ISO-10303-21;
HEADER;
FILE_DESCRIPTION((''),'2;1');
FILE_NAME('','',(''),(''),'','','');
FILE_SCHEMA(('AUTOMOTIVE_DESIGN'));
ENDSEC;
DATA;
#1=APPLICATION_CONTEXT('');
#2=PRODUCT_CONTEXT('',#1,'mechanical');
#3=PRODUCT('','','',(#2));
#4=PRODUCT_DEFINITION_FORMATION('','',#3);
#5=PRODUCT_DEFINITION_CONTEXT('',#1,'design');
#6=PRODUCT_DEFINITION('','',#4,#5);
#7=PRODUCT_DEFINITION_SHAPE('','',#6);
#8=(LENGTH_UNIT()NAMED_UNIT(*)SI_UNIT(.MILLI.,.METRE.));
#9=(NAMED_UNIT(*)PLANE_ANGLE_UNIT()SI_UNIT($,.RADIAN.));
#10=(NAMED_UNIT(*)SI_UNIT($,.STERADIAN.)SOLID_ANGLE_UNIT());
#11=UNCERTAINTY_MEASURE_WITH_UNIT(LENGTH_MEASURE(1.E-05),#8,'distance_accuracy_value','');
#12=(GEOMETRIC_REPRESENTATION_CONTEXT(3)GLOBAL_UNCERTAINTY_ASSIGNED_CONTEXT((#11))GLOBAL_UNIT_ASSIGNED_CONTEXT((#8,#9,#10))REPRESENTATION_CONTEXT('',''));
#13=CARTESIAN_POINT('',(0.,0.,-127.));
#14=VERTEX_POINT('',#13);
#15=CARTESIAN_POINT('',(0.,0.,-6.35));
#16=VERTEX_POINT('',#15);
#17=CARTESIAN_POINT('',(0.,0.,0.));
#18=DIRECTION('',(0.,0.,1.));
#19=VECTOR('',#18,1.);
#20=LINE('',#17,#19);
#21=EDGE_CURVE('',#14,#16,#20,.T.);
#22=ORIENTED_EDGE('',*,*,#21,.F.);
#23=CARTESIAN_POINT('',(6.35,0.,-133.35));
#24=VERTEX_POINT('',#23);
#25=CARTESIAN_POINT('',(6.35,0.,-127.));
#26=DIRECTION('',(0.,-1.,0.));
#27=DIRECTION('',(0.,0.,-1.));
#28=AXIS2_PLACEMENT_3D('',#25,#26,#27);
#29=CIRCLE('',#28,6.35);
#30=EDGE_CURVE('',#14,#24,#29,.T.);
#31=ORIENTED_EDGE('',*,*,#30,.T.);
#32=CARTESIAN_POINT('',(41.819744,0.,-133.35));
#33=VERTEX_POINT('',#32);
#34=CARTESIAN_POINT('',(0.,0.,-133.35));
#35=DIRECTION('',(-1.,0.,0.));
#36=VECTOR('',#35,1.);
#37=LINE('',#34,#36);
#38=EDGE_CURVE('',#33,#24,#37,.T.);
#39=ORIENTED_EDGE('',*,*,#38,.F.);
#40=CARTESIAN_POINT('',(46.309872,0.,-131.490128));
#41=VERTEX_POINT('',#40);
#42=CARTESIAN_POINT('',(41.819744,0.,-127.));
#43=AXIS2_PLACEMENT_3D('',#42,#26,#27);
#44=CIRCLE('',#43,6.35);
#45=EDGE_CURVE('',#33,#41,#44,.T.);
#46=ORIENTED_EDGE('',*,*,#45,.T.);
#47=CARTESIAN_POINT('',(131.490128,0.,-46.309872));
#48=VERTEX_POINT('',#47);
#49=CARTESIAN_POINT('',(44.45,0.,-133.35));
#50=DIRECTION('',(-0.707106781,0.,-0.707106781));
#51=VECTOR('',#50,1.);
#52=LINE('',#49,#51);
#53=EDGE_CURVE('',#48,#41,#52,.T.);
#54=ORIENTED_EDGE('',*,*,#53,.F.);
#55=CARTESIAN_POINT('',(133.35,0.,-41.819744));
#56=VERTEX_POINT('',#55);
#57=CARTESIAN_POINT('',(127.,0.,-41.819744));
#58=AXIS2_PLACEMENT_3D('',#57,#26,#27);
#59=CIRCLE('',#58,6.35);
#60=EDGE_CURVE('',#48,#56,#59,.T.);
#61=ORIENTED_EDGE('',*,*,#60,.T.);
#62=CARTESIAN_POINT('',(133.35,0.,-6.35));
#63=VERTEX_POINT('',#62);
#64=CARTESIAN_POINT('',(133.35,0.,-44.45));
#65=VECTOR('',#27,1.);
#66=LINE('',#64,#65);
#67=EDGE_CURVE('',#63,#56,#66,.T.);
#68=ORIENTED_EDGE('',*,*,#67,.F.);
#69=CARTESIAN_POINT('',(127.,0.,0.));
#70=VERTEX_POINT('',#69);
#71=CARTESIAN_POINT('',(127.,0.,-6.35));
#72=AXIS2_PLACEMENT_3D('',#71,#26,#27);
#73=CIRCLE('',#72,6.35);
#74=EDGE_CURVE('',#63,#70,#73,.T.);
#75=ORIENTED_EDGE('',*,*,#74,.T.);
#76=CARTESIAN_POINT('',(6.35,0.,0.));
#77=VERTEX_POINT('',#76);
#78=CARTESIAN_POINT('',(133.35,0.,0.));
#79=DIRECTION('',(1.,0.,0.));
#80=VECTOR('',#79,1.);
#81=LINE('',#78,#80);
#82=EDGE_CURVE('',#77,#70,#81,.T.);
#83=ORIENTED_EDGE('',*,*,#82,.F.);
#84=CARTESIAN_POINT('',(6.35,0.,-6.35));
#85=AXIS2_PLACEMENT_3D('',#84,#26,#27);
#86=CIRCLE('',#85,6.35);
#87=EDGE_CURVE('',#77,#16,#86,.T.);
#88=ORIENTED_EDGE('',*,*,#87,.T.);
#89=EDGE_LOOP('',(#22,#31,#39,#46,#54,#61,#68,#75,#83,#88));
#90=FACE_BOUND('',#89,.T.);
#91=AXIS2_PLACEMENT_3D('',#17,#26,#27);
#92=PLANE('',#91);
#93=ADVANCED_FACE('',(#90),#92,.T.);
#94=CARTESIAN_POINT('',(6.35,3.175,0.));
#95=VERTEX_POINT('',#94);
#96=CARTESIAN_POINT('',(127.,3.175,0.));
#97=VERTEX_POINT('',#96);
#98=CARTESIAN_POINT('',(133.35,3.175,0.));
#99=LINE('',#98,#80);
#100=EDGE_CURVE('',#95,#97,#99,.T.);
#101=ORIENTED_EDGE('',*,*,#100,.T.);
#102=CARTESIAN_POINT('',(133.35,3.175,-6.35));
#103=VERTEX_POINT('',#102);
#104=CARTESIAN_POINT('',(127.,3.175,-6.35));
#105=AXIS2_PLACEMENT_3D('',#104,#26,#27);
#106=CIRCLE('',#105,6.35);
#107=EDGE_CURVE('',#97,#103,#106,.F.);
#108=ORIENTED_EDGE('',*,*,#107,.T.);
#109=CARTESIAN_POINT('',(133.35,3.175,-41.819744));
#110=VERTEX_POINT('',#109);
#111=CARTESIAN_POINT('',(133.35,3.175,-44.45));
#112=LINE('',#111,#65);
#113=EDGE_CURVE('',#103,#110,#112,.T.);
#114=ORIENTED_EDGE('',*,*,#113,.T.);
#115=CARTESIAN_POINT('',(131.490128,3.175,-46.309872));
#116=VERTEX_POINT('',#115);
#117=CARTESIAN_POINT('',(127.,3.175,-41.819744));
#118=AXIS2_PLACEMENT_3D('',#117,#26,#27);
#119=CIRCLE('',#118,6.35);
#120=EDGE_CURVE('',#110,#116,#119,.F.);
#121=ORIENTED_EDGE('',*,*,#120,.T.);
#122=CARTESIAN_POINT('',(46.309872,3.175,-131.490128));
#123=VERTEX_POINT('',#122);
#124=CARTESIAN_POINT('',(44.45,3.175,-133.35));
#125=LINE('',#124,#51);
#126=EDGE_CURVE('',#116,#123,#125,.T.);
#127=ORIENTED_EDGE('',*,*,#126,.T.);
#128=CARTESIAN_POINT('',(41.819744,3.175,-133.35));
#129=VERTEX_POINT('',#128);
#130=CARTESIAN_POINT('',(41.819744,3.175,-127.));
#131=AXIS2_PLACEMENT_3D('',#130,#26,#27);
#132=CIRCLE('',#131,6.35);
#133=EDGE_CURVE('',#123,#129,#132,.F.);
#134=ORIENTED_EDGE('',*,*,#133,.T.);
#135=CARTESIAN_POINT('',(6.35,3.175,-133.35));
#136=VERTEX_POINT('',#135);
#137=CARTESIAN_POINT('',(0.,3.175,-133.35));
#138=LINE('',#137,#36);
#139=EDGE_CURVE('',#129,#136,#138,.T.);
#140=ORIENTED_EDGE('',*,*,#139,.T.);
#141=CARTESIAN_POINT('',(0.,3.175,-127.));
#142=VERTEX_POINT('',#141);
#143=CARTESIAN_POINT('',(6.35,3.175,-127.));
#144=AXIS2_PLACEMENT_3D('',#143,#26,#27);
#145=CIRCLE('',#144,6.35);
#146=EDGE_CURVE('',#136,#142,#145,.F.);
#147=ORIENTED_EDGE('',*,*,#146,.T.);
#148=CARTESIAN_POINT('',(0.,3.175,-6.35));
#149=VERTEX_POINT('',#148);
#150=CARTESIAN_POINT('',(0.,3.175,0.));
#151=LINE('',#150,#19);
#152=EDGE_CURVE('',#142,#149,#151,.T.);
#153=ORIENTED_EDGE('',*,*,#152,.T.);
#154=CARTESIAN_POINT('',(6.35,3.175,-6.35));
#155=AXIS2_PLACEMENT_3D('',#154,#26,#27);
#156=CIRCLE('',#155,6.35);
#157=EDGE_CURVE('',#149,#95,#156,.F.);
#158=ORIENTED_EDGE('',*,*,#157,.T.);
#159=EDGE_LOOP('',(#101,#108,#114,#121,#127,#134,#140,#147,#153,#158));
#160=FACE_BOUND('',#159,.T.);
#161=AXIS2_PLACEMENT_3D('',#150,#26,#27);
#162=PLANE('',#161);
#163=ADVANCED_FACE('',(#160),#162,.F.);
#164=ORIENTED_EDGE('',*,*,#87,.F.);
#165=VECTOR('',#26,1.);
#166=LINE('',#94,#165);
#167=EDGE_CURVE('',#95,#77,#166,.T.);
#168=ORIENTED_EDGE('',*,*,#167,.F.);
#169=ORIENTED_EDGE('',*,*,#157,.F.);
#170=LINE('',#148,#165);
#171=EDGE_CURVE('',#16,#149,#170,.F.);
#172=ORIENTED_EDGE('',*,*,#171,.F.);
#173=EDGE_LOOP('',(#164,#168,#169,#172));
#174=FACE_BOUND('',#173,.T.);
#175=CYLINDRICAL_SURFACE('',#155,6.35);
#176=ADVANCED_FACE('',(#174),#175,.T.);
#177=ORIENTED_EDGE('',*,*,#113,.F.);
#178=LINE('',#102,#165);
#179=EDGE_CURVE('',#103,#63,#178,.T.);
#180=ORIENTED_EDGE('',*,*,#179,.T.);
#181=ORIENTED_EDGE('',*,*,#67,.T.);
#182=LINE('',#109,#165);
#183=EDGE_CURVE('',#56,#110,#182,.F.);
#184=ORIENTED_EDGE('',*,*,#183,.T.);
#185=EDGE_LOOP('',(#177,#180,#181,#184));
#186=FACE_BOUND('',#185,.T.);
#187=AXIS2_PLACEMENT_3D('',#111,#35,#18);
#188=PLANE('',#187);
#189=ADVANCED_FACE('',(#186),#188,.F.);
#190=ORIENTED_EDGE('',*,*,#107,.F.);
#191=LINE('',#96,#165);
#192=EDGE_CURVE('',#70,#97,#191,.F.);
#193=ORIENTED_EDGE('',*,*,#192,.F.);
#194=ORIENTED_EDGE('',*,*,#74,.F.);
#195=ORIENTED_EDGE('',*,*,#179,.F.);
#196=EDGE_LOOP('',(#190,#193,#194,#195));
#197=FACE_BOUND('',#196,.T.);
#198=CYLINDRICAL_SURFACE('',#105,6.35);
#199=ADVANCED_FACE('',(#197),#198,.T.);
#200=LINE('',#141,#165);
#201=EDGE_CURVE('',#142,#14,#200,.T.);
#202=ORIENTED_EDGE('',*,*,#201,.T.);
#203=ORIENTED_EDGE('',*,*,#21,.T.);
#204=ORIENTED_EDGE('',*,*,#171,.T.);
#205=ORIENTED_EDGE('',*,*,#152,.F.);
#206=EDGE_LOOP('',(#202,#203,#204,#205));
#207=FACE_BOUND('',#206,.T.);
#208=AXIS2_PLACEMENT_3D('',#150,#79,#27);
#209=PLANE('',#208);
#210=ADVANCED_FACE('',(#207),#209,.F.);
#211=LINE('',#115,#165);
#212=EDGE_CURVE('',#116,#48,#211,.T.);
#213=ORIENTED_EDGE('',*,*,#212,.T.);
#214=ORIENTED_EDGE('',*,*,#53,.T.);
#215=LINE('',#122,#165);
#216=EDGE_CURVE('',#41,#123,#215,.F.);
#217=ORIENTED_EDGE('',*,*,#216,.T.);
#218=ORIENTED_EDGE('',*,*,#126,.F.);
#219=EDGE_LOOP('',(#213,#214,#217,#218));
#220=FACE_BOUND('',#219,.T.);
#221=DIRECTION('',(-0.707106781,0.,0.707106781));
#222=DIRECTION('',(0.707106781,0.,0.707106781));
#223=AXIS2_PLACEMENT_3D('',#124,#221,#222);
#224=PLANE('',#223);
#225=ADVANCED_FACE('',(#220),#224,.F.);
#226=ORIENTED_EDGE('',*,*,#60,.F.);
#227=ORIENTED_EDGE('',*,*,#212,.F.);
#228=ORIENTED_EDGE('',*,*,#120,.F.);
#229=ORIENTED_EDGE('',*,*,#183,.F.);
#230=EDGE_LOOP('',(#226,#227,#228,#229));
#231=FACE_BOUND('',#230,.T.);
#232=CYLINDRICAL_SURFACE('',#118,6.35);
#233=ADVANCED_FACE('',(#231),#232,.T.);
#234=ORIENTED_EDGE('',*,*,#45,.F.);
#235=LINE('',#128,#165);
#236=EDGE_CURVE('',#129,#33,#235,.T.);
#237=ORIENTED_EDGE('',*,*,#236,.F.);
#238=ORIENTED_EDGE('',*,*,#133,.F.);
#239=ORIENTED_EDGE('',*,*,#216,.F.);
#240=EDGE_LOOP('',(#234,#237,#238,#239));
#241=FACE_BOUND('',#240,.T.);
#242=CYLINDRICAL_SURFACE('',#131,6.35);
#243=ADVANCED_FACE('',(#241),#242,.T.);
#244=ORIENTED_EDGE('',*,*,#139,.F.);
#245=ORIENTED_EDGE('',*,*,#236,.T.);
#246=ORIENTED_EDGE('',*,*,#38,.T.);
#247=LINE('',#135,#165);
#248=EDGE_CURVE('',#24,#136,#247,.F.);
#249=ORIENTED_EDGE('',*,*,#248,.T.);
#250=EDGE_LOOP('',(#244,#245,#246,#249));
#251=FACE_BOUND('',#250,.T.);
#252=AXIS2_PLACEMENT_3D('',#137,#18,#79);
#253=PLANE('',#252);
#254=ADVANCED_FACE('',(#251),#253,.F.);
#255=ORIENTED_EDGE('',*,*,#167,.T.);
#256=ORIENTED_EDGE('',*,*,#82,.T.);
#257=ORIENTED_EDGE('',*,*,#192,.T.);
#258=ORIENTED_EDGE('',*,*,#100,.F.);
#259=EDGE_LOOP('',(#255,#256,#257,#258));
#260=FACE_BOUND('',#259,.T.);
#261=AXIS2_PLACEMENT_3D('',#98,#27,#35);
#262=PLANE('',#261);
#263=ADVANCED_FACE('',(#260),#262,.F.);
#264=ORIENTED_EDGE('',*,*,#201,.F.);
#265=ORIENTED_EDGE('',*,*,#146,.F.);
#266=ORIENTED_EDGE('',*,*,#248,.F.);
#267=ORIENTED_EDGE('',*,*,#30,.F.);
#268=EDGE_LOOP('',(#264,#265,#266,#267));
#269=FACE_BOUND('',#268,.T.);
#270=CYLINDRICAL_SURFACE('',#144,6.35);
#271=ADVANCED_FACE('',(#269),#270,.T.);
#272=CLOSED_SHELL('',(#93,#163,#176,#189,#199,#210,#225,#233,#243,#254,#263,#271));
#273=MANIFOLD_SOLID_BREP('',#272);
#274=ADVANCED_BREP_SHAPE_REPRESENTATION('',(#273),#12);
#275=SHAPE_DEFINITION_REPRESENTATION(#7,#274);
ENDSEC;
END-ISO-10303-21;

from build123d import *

# Parameters (mm, degrees)
BOSS_EXTRUDE1_DEPTH = 3.175
FILLET1_R           = 6.35


with BuildPart() as part:
    # Sketch1 → Boss-Extrude1 (new body)
    with BuildSketch(Plane(origin=(0, 0, 0), x_dir=(1, 0, 0), z_dir=(0, 1, 0))):
        Polygon((0, 0), (0, 133.35), (44.45, 133.35), (133.35, 44.45), (133.35, 0), align=None)
    extrude(amount=BOSS_EXTRUDE1_DEPTH)

    # Fillet1
    fillet1_edges = [part.edges().sort_by_distance(p)[0] for p in [
        (0, 1.5875, 0),
        (0, 1.5875, -133.35),
        (44.45, 1.5875, -133.35),
        (133.35, 1.5875, -44.45),
        (133.35, 1.5875, 0),
    ]]
    fillet(fillet1_edges, radius=FILLET1_R)


solid = part.part
